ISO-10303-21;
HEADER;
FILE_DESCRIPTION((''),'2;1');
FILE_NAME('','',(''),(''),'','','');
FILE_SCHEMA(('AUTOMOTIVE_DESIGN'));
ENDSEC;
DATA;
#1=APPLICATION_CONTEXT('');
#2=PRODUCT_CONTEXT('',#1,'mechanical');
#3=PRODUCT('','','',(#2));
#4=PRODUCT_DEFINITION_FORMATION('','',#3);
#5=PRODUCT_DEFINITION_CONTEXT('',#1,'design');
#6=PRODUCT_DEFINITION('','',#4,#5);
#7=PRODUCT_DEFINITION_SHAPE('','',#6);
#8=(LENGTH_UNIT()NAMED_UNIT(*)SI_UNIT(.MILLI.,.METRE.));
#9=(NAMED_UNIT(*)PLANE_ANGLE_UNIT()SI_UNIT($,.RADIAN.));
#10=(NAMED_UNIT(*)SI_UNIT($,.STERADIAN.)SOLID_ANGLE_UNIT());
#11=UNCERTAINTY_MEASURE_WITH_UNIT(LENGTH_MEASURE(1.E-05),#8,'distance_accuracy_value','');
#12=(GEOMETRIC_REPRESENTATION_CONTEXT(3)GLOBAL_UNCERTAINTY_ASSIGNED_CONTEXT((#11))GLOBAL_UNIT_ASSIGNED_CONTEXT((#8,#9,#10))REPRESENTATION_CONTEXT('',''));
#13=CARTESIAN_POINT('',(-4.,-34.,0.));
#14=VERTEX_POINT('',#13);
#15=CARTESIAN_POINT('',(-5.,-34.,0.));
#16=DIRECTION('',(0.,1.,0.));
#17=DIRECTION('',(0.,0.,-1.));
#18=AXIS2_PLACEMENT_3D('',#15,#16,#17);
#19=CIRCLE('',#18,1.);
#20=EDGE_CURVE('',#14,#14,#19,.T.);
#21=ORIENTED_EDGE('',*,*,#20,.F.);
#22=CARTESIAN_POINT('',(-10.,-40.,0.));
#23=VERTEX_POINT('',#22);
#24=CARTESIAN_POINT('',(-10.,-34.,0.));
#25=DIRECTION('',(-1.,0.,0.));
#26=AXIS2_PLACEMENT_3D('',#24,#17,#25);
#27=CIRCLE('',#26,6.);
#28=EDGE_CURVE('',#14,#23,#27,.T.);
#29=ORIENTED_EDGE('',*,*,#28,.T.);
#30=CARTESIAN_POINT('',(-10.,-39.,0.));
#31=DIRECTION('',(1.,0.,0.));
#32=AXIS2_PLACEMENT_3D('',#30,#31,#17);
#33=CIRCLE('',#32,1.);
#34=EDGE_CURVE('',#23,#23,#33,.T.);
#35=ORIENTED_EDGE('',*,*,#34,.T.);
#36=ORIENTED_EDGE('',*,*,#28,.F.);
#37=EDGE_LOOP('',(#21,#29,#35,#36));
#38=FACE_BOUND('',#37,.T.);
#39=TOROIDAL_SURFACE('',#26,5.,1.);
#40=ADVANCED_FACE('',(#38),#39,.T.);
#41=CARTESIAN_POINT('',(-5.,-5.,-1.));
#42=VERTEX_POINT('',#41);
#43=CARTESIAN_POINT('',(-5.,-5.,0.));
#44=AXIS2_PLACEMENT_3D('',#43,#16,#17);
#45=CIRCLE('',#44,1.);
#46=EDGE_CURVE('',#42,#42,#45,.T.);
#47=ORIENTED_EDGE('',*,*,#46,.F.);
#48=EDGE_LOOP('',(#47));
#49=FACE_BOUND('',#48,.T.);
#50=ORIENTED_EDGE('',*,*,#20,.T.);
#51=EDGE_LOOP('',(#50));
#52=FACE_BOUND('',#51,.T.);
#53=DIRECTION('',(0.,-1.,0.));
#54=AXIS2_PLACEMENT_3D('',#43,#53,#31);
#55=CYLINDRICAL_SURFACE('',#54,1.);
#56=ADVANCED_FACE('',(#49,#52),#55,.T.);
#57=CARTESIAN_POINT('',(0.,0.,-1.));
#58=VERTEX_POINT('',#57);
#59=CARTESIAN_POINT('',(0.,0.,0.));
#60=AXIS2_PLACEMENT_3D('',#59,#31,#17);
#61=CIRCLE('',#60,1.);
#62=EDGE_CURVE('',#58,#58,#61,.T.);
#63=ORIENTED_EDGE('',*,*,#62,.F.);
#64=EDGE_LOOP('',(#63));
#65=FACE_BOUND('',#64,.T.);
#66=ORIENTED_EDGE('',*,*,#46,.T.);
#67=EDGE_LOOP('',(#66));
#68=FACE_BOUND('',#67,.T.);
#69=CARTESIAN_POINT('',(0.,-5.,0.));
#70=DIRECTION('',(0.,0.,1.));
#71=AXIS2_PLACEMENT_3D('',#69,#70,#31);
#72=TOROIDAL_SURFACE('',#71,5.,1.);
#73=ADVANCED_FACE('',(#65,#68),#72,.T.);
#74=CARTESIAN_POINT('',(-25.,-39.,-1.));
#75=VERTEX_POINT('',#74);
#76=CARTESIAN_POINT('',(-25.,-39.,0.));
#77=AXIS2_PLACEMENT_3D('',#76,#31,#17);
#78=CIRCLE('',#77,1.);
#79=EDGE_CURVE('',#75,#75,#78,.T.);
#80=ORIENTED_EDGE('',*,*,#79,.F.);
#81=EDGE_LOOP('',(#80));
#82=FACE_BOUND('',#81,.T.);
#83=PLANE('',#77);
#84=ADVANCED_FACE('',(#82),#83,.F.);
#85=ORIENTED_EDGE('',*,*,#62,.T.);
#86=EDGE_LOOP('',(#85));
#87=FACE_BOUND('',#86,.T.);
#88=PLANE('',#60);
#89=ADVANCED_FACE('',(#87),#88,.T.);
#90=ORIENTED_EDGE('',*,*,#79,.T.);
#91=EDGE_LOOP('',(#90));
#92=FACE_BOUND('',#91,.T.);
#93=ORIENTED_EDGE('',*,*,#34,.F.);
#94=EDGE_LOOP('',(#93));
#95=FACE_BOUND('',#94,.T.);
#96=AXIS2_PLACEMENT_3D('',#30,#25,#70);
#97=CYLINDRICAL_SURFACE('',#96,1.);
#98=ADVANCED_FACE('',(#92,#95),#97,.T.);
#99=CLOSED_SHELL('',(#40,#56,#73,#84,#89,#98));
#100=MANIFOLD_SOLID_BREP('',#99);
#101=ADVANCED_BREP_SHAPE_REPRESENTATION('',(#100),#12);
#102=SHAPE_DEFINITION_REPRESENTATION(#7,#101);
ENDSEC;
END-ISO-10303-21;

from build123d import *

# Parameters (mm, degrees)
SKETCH_2_R = 1


with BuildPart() as part:
    # По траектории1: sweep along a path in Эскиз1
    with BuildLine(Plane.XY) as sweep_1_path:
        Line((-25, -39), (-10, -39))
        ThreePointArc((-10, -39), (-6.464466094, -37.535533906), (-5, -34))
        Line((-5, -34), (-5, -5))
        ThreePointArc((-5, -5), (-3.535533906, -1.464466094), (0, 0))
    # Эскиз2 → По траектории1 (sweep)
    with BuildSketch(Plane(origin=(0, 0, 0), x_dir=(0, 0, -1), z_dir=(1, 0, 0))):
        Circle(SKETCH_2_R)
    sweep(path=sweep_1_path.line)


solid = part.part
